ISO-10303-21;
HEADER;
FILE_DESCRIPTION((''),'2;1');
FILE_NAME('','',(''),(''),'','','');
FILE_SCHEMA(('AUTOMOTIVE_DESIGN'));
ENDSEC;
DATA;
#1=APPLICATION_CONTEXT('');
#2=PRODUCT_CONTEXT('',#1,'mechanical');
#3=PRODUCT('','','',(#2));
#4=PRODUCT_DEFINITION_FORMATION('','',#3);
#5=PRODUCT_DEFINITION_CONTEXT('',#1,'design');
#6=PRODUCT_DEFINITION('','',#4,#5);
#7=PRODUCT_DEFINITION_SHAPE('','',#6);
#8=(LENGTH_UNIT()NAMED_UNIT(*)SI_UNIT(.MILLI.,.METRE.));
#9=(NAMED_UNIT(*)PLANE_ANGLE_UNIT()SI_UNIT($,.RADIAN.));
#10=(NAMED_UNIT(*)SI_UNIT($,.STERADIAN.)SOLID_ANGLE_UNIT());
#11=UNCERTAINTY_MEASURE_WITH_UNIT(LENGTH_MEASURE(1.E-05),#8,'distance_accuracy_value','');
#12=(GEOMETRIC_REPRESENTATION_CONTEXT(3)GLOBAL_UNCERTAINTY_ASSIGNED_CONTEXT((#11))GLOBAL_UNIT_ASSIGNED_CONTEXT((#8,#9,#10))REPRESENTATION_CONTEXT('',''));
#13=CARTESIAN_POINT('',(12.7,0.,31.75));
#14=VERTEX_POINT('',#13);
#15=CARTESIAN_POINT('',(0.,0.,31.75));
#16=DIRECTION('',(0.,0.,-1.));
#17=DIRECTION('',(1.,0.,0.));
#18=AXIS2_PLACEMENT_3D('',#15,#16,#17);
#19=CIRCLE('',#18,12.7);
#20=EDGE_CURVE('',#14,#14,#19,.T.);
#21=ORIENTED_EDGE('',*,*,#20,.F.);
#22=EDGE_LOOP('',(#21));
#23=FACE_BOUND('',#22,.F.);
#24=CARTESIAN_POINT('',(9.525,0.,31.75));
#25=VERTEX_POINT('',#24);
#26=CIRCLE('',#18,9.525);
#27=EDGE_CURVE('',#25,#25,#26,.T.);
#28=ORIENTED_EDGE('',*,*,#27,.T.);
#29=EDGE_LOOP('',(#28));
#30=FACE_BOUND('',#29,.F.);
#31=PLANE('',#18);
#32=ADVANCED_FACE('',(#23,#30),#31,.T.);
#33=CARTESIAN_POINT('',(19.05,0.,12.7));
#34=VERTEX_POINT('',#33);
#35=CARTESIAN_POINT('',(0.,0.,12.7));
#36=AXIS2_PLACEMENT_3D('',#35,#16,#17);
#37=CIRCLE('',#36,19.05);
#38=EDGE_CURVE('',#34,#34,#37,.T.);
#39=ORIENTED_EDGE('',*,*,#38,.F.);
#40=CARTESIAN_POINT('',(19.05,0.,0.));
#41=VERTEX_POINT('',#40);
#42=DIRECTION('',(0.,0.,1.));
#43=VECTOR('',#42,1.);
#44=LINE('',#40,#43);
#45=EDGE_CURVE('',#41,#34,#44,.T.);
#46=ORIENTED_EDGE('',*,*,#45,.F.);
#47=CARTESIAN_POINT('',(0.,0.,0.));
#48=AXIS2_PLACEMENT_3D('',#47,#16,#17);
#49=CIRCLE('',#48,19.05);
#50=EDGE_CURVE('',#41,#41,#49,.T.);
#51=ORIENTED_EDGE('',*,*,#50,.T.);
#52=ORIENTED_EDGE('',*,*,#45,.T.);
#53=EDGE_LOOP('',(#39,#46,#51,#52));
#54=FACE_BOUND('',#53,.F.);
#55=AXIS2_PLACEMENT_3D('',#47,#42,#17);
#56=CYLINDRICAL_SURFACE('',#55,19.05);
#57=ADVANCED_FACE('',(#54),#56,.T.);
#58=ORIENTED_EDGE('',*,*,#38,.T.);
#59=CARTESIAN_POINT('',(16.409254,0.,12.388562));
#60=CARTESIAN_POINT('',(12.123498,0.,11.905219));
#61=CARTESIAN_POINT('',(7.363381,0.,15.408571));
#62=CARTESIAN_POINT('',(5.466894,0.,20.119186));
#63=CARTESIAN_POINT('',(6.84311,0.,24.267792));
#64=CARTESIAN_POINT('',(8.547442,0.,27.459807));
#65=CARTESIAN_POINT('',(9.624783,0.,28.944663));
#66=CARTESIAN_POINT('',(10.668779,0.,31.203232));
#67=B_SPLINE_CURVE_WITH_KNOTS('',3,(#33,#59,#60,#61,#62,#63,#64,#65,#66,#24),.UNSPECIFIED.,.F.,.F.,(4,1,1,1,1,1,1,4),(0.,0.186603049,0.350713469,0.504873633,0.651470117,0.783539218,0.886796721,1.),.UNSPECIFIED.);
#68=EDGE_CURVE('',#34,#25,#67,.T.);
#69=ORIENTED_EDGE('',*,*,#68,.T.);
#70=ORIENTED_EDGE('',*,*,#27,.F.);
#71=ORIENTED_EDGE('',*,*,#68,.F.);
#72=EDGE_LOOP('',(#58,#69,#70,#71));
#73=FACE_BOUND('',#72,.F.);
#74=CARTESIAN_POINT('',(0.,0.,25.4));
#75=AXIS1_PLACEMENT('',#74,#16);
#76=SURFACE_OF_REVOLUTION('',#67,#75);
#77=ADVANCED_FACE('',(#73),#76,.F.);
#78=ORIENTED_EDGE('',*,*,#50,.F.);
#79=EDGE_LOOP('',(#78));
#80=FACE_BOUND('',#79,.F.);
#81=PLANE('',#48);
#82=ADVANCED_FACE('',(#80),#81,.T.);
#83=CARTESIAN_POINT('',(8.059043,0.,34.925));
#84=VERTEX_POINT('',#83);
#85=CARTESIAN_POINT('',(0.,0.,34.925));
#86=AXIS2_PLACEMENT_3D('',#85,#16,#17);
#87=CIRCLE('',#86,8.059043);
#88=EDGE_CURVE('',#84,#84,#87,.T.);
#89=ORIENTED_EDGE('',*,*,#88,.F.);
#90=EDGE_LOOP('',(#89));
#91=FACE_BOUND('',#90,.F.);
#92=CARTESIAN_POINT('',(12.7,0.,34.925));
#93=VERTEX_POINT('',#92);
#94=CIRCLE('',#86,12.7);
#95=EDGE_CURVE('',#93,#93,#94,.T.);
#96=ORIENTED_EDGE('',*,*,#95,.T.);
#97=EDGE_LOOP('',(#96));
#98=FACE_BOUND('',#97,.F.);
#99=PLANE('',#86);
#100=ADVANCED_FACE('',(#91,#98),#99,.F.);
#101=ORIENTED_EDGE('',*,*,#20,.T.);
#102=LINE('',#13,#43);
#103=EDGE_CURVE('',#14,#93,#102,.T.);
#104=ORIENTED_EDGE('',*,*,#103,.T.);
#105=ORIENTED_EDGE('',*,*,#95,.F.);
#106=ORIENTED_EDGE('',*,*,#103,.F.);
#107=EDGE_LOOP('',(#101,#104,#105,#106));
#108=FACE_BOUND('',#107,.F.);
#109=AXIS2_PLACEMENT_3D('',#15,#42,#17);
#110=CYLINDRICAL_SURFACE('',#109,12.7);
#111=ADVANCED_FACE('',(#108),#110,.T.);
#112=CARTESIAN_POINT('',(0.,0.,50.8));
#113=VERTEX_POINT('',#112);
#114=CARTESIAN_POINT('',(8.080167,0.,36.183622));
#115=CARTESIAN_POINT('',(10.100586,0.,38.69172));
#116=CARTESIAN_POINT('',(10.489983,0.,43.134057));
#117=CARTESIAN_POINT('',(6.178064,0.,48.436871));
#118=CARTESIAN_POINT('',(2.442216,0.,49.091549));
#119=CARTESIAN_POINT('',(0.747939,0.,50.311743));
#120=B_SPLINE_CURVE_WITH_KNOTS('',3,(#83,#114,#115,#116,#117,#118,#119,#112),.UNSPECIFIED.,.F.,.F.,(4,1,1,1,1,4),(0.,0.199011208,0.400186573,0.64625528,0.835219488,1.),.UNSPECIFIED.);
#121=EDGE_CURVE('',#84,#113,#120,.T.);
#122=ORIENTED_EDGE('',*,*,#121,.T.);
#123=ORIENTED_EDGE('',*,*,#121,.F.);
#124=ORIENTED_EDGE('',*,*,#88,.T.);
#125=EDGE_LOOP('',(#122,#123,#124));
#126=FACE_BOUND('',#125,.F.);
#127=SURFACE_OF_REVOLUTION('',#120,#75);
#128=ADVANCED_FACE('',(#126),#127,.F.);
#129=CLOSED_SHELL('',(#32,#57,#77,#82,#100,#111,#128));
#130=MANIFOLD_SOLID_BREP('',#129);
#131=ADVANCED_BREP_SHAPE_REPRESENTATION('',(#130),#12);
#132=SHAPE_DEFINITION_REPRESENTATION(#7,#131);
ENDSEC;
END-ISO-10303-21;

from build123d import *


with BuildPart() as f1:
    # F0 (on Front) → F1 (revolve)
    with BuildSketch(Plane.XZ):
        Polygon((8.0590434372, 34.925), (0, 34.925), (0, 31.75), (9.525, 31.75), (12.7, 31.75), (12.7, 34.925), align=None)
        with BuildLine():
            add(Edge.make_bspline(
                [(8.0590434372, 34.925), (8.0801666743, 36.1836217119), (10.1005855868, 38.6917204741), (10.4899829793, 43.1340571973), (6.1780635241, 48.4368706408), (2.4422159907, 49.091549413), (0.7479385511, 50.3117429246), (0, 50.8)],
                knots=[0, 0, 0, 0, 0.1990112076, 0.4001865734, 0.6462552798, 0.8352194878, 1, 1, 1, 1], degree=3))
            Line((0, 50.8), (0, 34.925))
            Line((0, 34.925), (8.0590434372, 34.925))
        make_face()
        with BuildLine():
            Line((9.525, 31.75), (0, 31.75))
            Line((0, 31.75), (0, 0))
            Line((0, 0), (19.05, 0))
            Line((19.05, 0), (19.05, 12.7))
            add(Edge.make_bspline(
                [(19.05, 12.7), (16.4092540724, 12.3885615006), (12.1234984713, 11.9052193157), (7.3633810009, 15.4085711476), (5.4668935913, 20.1191864271), (6.8431097665, 24.2677917919), (8.5474420414, 27.4598065022), (9.6247830583, 28.9446629525), (10.6687785353, 31.203232496), (9.525, 31.75)],
                knots=[0, 0, 0, 0, 0.1866030486, 0.3507134693, 0.5048736331, 0.6514701171, 0.783539218, 0.8867967208, 1, 1, 1, 1], degree=3))
        make_face()
    revolve(axis=Axis((0, 0, 25.4), (0, 0, -1)))


solid = f1.part
